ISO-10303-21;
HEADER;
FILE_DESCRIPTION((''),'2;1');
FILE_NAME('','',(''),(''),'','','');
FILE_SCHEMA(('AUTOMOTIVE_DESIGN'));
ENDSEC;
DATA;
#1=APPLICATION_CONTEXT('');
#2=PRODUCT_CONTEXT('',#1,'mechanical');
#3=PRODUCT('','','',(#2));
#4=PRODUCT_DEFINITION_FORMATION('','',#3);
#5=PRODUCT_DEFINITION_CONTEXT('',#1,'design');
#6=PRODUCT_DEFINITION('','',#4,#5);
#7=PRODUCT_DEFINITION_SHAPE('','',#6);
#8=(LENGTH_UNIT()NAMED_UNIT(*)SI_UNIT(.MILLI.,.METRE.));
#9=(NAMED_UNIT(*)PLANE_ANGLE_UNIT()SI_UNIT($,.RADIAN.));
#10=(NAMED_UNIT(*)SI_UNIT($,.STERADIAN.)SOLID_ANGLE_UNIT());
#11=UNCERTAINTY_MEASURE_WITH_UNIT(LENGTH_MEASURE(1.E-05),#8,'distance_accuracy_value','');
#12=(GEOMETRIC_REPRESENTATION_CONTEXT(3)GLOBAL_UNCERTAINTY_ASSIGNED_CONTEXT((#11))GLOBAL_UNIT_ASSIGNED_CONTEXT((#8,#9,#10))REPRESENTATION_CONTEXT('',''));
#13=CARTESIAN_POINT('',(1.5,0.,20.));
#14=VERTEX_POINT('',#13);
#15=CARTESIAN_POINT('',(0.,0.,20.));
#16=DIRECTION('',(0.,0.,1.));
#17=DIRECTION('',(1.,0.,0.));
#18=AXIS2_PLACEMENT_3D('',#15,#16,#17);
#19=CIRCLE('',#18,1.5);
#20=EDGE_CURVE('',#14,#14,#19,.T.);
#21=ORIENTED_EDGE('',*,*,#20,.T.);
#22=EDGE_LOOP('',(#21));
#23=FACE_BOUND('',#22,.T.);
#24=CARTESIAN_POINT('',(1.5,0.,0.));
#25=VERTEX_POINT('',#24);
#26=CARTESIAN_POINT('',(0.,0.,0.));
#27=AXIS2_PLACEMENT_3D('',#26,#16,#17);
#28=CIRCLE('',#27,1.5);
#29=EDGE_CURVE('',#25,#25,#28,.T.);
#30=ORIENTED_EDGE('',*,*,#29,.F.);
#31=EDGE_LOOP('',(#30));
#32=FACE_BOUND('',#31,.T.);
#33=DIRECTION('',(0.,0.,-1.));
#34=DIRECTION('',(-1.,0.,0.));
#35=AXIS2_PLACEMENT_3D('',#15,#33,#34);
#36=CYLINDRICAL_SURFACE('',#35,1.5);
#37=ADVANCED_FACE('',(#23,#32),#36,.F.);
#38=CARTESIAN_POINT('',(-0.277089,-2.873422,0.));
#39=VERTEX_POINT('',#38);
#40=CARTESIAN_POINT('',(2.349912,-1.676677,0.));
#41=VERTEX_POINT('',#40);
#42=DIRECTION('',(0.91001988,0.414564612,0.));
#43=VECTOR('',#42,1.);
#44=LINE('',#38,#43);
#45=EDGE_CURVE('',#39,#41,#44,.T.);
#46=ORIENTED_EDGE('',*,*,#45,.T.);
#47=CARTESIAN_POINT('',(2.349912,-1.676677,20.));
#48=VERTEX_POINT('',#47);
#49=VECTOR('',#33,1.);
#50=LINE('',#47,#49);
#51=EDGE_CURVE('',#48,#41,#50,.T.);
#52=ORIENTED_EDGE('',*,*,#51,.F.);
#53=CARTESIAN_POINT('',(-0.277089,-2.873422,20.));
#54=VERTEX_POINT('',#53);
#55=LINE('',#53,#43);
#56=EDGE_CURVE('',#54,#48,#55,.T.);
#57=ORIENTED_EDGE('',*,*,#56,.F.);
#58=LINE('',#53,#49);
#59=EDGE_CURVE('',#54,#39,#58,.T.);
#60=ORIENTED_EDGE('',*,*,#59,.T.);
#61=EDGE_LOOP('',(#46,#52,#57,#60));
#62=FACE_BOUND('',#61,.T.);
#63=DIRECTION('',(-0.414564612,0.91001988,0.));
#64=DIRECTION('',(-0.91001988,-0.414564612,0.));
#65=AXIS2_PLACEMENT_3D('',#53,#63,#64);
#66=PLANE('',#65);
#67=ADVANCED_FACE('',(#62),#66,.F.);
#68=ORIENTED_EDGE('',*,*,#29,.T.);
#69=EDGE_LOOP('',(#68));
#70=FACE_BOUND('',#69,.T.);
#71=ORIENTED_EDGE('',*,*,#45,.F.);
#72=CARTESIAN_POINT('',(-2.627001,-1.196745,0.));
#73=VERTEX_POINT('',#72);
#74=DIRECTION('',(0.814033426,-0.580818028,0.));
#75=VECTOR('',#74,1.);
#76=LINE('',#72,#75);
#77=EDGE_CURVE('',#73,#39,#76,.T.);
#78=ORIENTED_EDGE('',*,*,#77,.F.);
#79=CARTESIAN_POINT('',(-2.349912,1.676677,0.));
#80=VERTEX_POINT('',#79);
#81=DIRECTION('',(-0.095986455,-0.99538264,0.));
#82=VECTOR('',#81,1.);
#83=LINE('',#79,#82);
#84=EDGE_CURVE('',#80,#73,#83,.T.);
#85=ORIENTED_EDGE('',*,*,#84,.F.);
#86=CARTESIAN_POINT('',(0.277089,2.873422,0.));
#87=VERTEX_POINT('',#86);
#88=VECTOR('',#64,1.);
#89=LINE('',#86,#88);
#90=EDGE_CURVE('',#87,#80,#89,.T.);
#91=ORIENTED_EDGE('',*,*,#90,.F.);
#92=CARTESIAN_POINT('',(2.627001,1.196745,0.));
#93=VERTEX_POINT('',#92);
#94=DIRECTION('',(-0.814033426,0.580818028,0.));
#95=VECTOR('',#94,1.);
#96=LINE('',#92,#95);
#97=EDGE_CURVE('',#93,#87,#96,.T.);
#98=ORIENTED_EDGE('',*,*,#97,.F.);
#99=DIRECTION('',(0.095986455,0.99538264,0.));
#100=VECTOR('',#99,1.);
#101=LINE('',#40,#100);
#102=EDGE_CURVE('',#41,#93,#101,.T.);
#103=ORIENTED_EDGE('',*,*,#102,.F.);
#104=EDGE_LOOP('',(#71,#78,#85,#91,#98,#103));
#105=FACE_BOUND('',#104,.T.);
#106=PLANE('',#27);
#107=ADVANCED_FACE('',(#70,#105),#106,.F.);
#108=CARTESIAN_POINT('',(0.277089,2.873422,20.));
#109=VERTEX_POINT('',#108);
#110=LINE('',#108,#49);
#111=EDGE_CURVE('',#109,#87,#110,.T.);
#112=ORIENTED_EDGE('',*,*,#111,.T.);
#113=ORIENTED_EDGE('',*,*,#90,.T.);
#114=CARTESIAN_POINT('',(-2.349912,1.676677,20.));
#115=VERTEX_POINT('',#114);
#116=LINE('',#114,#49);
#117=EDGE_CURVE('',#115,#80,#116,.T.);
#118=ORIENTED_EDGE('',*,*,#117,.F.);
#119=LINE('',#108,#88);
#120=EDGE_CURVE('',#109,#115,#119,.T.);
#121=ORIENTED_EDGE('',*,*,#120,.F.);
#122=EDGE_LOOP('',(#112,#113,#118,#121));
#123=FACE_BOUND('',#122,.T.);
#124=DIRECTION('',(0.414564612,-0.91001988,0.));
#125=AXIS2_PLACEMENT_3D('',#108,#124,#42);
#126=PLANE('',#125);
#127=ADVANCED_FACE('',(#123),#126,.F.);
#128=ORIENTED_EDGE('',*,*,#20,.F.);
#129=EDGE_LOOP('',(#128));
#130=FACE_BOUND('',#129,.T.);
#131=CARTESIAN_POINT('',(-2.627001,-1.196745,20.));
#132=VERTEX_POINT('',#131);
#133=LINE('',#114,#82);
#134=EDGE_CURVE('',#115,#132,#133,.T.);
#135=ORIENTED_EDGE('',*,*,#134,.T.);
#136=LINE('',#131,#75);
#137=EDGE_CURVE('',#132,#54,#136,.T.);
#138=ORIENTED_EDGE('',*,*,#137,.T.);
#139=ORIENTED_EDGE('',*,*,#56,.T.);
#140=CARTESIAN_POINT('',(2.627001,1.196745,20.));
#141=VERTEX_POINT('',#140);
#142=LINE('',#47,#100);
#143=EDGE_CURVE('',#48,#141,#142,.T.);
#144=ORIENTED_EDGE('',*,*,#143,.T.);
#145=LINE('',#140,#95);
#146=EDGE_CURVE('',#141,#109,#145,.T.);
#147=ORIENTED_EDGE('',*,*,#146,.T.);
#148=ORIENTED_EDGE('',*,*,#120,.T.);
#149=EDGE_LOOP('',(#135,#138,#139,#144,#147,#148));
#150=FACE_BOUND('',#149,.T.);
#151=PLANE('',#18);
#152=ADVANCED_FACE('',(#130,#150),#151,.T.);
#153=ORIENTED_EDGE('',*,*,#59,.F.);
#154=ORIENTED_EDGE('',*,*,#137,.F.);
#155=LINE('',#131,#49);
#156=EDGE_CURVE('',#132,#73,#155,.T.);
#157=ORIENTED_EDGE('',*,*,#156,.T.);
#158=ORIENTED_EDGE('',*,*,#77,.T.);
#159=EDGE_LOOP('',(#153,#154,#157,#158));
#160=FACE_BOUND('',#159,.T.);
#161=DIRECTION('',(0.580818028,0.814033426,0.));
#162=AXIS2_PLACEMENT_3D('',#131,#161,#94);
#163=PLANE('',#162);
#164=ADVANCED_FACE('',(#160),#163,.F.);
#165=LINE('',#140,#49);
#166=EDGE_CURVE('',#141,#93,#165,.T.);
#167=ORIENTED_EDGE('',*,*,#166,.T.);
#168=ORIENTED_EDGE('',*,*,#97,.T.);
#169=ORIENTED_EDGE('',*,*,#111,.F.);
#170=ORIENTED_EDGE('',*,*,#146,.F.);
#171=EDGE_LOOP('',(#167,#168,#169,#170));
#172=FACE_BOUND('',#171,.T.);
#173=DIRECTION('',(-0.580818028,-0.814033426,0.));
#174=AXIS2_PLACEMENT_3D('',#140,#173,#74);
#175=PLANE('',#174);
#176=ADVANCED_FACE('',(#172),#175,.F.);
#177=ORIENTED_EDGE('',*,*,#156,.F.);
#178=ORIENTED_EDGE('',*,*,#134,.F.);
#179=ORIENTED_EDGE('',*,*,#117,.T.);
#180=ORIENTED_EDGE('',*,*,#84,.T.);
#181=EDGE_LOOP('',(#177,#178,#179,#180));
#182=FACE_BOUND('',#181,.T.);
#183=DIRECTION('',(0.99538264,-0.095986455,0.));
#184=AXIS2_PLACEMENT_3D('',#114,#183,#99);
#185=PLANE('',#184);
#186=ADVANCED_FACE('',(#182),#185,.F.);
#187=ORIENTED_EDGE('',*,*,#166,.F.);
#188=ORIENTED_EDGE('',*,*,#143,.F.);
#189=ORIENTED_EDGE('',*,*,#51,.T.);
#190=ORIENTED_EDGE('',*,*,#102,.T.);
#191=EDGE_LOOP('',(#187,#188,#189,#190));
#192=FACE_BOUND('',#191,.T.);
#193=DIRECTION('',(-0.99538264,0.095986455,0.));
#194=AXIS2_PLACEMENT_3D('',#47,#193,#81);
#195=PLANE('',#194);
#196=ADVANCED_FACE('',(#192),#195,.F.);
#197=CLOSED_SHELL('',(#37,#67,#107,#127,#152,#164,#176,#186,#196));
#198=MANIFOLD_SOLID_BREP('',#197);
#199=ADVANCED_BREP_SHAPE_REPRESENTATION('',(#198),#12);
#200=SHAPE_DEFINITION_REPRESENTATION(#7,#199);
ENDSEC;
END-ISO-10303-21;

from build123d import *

# Parameters (mm, degrees)
SZKIC1_R                    = 1.5
DODANIE_WYCI_GNI_CIE1_DEPTH = 20


with BuildPart() as part:
    # Szkic1 → Dodanie-wyciągnięcie1 (new body)
    with BuildSketch(Plane.XY):
        Polygon((2.627001114, 1.196744952), (0.277089027, 2.873422177), (-2.349912087, 1.676677225), (-2.627001114, -1.196744952), (-0.277089027, -2.873422177), (2.349912087, -1.676677225), align=None)
        Circle(SZKIC1_R, mode=Mode.SUBTRACT)
    extrude(amount=DODANIE_WYCI_GNI_CIE1_DEPTH)


solid = part.part
